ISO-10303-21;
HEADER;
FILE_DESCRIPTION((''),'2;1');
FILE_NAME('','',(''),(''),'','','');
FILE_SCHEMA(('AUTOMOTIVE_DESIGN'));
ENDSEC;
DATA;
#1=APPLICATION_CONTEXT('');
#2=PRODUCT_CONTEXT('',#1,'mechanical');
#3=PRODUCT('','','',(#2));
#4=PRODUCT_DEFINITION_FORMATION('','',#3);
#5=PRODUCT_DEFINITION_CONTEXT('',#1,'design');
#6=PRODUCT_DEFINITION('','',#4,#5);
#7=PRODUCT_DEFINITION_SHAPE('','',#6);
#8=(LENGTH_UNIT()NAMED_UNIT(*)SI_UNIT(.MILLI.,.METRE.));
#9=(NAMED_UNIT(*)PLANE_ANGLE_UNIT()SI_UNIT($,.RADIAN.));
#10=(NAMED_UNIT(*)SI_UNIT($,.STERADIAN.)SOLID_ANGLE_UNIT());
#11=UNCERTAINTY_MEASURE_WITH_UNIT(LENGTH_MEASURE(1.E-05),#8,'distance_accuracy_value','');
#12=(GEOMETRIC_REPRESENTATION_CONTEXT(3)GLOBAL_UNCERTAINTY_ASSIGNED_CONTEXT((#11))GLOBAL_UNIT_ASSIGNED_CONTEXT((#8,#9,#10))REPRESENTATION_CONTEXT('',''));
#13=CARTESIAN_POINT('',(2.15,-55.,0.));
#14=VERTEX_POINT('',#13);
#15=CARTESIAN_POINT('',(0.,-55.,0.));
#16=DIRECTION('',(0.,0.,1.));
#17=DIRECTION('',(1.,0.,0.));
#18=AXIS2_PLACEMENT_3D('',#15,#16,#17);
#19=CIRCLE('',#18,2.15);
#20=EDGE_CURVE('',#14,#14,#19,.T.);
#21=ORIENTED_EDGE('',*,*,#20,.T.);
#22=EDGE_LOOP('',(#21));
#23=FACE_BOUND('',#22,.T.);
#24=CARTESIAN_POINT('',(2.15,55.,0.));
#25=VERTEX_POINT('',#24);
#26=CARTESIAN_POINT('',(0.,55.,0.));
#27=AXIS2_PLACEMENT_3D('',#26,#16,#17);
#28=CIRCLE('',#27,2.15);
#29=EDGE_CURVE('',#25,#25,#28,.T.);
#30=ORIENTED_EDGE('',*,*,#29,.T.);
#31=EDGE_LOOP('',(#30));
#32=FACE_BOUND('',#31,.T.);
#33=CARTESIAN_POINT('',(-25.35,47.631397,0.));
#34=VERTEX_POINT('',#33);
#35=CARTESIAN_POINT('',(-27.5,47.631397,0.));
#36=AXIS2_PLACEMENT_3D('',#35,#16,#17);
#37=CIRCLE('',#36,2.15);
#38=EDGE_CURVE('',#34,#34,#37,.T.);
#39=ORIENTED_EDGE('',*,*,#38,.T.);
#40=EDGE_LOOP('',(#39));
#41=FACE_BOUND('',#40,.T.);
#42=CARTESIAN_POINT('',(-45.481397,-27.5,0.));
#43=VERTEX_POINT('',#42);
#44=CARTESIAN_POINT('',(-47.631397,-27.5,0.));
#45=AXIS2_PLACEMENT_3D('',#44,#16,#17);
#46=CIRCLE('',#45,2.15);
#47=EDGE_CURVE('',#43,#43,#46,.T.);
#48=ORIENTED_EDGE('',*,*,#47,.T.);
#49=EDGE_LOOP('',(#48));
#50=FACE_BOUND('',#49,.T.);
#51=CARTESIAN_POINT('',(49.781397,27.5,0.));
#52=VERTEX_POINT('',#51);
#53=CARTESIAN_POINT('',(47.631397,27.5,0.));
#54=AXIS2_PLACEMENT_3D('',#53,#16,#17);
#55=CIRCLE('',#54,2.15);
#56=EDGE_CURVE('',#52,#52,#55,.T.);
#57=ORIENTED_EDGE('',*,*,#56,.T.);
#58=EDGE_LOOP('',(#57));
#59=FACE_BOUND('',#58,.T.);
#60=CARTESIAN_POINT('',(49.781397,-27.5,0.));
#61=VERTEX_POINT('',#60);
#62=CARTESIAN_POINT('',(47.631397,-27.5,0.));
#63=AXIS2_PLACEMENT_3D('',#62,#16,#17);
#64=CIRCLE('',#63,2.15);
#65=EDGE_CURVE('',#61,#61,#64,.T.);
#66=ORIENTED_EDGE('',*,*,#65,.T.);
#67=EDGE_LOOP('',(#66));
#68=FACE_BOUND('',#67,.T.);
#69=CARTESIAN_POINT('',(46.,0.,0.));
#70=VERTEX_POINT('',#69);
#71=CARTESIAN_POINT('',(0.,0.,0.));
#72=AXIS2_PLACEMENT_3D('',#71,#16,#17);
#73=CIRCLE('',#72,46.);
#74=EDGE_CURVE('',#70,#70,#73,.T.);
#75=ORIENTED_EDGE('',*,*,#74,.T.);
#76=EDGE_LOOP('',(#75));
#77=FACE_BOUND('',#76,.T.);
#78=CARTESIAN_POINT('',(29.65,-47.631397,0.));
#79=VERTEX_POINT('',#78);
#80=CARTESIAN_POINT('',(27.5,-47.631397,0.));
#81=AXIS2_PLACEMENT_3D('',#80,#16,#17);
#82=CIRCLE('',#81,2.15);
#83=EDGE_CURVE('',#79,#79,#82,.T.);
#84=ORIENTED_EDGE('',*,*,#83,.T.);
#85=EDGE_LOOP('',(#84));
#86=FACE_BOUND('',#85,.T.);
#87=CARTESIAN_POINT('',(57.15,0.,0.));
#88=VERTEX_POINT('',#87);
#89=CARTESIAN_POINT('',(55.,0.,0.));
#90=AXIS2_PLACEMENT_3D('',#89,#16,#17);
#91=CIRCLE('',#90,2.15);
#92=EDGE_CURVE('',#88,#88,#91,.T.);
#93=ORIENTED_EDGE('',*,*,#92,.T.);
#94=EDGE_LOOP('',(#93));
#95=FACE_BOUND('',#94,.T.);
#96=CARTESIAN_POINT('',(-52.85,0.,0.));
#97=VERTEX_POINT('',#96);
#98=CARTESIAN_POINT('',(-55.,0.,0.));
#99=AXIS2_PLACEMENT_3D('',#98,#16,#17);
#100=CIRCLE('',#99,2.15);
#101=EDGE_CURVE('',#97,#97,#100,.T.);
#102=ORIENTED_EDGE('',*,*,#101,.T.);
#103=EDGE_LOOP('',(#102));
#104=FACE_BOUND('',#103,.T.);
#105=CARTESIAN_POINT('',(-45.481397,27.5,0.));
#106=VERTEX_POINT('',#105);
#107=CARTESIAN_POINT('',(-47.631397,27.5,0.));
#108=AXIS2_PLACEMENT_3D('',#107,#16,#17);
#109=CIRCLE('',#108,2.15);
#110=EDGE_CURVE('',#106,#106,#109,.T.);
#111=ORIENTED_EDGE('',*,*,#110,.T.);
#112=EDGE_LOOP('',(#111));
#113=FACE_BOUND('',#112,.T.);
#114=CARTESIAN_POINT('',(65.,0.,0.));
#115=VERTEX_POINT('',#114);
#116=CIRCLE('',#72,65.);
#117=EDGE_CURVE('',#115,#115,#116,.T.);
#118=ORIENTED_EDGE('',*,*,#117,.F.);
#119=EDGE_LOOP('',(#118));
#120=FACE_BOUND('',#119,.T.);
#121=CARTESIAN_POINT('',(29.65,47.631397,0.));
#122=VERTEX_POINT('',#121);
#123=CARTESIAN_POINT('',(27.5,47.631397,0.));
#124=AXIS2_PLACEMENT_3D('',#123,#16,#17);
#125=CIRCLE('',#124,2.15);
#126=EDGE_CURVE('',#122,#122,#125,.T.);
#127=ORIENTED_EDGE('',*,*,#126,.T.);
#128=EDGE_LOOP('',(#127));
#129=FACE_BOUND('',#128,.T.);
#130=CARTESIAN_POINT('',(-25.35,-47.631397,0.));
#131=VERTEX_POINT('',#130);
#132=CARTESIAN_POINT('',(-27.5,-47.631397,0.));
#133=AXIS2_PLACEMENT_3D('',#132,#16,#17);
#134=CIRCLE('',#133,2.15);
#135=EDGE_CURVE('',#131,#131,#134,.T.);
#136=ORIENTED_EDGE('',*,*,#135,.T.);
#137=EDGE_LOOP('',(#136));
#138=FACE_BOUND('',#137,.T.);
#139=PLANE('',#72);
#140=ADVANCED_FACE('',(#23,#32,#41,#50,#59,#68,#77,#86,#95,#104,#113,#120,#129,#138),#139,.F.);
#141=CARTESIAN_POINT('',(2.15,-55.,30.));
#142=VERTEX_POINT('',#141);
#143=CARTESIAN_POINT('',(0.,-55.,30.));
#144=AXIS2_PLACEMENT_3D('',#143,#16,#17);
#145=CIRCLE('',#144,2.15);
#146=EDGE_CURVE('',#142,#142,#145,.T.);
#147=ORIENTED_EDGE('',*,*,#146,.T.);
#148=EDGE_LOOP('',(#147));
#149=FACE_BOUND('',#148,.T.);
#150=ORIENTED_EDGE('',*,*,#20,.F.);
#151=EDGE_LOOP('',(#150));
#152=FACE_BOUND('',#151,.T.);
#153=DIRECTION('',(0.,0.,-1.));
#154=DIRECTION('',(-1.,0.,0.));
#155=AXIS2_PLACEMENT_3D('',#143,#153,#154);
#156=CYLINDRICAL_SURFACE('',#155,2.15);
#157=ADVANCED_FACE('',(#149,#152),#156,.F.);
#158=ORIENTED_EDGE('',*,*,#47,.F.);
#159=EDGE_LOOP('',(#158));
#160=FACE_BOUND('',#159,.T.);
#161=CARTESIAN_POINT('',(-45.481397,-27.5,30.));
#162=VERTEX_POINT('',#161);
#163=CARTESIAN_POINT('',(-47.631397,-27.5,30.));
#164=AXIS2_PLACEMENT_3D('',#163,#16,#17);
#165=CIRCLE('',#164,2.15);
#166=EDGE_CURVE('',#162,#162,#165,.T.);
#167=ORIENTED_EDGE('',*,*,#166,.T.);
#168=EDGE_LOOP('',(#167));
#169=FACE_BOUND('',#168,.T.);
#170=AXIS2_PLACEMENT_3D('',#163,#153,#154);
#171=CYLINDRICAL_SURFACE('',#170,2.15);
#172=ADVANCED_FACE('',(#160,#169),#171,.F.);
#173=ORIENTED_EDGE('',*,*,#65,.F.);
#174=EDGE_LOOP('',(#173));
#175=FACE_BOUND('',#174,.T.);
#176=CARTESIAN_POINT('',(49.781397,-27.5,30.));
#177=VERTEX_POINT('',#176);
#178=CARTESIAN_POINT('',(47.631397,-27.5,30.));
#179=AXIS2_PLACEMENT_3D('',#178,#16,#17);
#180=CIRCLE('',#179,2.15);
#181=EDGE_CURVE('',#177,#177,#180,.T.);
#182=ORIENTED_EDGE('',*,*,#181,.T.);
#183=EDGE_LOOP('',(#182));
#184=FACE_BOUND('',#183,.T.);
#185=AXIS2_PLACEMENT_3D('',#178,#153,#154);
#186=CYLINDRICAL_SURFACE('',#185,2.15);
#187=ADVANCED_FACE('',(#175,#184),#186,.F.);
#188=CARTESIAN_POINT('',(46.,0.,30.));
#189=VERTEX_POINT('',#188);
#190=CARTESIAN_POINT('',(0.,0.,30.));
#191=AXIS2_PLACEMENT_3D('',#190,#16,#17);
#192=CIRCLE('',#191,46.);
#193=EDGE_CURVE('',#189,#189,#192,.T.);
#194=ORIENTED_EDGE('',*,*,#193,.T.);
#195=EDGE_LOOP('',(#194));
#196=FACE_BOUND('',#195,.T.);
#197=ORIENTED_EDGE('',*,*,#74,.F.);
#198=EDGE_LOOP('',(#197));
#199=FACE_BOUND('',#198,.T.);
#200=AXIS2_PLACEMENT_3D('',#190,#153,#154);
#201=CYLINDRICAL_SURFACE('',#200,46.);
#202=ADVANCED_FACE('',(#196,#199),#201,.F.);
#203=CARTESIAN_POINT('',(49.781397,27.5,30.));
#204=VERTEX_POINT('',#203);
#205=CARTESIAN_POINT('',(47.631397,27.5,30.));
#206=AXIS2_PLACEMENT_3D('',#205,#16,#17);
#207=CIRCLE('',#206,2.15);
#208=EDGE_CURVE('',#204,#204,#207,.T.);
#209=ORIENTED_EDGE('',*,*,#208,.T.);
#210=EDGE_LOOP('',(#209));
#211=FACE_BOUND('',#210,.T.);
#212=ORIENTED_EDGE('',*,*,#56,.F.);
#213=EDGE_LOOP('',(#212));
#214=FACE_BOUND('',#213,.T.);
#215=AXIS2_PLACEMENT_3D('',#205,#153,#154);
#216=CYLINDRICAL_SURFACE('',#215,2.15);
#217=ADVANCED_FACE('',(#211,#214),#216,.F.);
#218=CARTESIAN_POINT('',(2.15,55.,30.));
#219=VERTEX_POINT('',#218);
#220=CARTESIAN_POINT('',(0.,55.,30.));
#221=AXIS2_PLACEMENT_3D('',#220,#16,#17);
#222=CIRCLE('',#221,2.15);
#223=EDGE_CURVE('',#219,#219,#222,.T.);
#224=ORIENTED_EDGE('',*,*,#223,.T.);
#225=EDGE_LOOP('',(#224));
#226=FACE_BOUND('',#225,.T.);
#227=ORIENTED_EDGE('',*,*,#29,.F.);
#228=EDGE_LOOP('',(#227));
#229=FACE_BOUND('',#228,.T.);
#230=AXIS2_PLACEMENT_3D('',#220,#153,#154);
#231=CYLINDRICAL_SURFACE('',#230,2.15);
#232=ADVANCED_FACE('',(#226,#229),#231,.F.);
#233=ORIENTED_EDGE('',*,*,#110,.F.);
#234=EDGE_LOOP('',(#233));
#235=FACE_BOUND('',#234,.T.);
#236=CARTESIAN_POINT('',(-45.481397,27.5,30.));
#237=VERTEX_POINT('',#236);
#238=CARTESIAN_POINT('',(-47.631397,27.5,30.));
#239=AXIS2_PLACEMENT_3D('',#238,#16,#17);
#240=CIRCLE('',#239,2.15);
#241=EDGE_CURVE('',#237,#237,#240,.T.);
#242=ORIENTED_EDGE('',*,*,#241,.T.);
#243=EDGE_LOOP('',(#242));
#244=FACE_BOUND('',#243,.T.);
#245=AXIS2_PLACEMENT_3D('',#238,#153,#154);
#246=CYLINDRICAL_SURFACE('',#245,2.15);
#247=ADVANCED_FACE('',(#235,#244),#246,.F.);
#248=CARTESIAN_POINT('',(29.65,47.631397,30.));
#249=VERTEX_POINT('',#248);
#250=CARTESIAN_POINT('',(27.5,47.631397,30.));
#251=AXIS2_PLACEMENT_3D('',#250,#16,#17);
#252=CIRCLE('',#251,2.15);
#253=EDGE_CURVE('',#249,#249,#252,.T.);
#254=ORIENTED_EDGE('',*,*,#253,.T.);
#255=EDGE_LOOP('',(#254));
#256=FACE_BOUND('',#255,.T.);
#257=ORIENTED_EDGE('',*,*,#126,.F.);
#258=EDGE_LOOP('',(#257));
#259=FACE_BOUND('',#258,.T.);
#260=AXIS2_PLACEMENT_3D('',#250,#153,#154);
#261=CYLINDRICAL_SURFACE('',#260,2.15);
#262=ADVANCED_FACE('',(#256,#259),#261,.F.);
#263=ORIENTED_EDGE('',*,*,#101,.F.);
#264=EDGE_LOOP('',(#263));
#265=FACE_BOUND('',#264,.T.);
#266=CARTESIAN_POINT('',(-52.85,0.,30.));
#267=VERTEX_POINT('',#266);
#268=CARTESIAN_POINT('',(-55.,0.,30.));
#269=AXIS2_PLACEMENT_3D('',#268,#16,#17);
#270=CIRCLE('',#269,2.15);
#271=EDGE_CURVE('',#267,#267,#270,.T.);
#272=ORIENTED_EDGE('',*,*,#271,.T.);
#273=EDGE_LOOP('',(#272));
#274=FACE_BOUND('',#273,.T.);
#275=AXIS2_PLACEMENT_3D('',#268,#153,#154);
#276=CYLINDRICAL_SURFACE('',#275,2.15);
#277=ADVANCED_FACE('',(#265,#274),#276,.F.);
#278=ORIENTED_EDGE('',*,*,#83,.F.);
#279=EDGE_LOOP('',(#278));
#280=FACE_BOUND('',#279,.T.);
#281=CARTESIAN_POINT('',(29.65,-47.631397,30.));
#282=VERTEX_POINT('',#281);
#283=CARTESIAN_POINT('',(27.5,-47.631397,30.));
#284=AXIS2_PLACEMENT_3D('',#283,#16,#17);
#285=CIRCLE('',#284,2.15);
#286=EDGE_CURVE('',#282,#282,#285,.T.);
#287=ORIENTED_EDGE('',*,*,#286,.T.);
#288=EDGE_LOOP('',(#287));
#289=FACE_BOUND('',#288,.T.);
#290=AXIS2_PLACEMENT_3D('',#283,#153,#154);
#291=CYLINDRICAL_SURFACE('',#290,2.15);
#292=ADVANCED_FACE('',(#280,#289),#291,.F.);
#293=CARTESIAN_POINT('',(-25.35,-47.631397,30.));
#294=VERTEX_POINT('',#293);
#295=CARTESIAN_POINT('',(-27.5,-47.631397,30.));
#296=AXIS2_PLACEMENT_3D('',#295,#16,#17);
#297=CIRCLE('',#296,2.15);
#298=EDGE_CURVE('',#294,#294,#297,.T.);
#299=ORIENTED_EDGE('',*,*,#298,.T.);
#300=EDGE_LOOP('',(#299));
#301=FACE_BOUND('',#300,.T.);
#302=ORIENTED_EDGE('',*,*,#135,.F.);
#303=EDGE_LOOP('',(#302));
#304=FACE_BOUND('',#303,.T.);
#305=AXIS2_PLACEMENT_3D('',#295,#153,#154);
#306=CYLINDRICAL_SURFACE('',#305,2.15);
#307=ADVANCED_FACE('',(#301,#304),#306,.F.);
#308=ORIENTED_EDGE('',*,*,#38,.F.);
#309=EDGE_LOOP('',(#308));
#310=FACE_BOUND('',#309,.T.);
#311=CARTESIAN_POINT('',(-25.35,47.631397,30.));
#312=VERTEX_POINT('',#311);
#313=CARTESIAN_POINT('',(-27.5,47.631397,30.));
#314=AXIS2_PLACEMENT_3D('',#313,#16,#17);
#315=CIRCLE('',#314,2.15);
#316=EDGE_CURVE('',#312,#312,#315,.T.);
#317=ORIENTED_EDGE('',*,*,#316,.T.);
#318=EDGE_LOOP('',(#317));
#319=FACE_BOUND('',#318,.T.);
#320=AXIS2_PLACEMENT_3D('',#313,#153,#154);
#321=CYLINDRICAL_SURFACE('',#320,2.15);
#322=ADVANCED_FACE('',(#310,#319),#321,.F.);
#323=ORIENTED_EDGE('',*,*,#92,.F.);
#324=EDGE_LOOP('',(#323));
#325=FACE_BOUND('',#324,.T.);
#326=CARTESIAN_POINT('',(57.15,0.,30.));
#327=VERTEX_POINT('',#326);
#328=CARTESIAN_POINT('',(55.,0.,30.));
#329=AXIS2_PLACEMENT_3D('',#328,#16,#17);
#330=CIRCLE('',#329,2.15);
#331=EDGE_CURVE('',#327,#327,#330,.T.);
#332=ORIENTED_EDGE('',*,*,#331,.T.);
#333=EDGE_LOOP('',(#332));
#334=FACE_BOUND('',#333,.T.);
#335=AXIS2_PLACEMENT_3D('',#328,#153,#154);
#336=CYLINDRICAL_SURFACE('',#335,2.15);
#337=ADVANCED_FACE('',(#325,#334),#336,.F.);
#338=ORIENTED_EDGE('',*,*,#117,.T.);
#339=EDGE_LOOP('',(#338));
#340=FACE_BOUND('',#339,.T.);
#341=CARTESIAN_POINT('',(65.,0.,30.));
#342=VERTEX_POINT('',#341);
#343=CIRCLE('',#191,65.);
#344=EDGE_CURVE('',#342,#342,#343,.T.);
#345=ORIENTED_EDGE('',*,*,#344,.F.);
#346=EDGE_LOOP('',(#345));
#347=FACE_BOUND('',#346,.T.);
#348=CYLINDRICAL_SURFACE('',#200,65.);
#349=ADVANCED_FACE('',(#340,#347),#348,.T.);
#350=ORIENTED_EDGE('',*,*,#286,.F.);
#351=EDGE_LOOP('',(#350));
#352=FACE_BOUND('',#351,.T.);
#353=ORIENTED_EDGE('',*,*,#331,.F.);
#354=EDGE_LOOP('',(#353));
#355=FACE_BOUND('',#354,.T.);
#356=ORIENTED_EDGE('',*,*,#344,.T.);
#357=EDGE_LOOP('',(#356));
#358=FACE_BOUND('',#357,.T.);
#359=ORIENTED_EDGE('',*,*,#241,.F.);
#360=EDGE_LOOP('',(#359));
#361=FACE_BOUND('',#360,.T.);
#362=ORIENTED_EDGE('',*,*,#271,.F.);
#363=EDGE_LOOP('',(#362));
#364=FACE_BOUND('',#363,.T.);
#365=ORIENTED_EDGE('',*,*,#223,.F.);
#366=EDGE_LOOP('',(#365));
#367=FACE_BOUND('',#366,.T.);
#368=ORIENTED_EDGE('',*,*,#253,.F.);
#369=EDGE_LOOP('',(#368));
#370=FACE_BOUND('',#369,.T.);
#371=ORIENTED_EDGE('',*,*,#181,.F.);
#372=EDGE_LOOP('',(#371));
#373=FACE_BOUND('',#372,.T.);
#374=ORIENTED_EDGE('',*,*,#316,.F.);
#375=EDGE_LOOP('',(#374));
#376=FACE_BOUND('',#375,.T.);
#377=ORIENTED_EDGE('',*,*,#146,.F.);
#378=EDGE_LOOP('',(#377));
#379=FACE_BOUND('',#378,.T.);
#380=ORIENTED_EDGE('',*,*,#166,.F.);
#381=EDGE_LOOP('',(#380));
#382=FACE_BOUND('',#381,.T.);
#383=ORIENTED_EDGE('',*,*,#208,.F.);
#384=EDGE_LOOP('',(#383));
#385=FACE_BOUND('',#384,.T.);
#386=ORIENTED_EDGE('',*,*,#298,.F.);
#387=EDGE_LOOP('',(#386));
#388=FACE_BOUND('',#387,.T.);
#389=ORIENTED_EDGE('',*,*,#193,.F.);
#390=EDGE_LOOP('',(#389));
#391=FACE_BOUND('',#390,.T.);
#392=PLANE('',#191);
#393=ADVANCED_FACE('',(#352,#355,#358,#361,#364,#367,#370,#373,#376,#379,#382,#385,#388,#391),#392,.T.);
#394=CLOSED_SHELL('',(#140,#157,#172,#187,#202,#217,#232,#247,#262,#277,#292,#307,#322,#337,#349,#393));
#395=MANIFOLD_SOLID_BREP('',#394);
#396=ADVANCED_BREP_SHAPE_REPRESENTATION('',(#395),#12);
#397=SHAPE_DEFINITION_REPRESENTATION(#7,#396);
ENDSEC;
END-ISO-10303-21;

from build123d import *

# Parameters (mm, degrees)
SKETCH_1_R      = 65
SKETCH_1_R_2    = 46
SKETCH_1_R_3    = 2.15
EXTRUDE_1_DEPTH = 30


with BuildPart() as part:
    # 草图1 → 凸台-拉伸1 (new body)
    with BuildSketch(Plane.XY):
        Circle(SKETCH_1_R)
        Circle(SKETCH_1_R_2, mode=Mode.SUBTRACT)
        with Locations((0, 55)):
            Circle(SKETCH_1_R_3, mode=Mode.SUBTRACT)
        with Locations((27.5, 47.631397208)):
            Circle(SKETCH_1_R_3, mode=Mode.SUBTRACT)
        with Locations((47.631397208, 27.5)):
            Circle(SKETCH_1_R_3, mode=Mode.SUBTRACT)
        with Locations((55, 0)):
            Circle(SKETCH_1_R_3, mode=Mode.SUBTRACT)
        with Locations((47.631397208, -27.5)):
            Circle(SKETCH_1_R_3, mode=Mode.SUBTRACT)
        with Locations((27.5, -47.631397208)):
            Circle(SKETCH_1_R_3, mode=Mode.SUBTRACT)
        with Locations((0, -55)):
            Circle(SKETCH_1_R_3, mode=Mode.SUBTRACT)
        with Locations((-27.5, -47.631397208)):
            Circle(SKETCH_1_R_3, mode=Mode.SUBTRACT)
        with Locations((-47.631397208, -27.5)):
            Circle(SKETCH_1_R_3, mode=Mode.SUBTRACT)
        with Locations((-55, 0)):
            Circle(SKETCH_1_R_3, mode=Mode.SUBTRACT)
        with Locations((-47.631397208, 27.5)):
            Circle(SKETCH_1_R_3, mode=Mode.SUBTRACT)
        with Locations((-27.5, 47.631397208)):
            Circle(SKETCH_1_R_3, mode=Mode.SUBTRACT)
    extrude(amount=EXTRUDE_1_DEPTH)


solid = part.part
